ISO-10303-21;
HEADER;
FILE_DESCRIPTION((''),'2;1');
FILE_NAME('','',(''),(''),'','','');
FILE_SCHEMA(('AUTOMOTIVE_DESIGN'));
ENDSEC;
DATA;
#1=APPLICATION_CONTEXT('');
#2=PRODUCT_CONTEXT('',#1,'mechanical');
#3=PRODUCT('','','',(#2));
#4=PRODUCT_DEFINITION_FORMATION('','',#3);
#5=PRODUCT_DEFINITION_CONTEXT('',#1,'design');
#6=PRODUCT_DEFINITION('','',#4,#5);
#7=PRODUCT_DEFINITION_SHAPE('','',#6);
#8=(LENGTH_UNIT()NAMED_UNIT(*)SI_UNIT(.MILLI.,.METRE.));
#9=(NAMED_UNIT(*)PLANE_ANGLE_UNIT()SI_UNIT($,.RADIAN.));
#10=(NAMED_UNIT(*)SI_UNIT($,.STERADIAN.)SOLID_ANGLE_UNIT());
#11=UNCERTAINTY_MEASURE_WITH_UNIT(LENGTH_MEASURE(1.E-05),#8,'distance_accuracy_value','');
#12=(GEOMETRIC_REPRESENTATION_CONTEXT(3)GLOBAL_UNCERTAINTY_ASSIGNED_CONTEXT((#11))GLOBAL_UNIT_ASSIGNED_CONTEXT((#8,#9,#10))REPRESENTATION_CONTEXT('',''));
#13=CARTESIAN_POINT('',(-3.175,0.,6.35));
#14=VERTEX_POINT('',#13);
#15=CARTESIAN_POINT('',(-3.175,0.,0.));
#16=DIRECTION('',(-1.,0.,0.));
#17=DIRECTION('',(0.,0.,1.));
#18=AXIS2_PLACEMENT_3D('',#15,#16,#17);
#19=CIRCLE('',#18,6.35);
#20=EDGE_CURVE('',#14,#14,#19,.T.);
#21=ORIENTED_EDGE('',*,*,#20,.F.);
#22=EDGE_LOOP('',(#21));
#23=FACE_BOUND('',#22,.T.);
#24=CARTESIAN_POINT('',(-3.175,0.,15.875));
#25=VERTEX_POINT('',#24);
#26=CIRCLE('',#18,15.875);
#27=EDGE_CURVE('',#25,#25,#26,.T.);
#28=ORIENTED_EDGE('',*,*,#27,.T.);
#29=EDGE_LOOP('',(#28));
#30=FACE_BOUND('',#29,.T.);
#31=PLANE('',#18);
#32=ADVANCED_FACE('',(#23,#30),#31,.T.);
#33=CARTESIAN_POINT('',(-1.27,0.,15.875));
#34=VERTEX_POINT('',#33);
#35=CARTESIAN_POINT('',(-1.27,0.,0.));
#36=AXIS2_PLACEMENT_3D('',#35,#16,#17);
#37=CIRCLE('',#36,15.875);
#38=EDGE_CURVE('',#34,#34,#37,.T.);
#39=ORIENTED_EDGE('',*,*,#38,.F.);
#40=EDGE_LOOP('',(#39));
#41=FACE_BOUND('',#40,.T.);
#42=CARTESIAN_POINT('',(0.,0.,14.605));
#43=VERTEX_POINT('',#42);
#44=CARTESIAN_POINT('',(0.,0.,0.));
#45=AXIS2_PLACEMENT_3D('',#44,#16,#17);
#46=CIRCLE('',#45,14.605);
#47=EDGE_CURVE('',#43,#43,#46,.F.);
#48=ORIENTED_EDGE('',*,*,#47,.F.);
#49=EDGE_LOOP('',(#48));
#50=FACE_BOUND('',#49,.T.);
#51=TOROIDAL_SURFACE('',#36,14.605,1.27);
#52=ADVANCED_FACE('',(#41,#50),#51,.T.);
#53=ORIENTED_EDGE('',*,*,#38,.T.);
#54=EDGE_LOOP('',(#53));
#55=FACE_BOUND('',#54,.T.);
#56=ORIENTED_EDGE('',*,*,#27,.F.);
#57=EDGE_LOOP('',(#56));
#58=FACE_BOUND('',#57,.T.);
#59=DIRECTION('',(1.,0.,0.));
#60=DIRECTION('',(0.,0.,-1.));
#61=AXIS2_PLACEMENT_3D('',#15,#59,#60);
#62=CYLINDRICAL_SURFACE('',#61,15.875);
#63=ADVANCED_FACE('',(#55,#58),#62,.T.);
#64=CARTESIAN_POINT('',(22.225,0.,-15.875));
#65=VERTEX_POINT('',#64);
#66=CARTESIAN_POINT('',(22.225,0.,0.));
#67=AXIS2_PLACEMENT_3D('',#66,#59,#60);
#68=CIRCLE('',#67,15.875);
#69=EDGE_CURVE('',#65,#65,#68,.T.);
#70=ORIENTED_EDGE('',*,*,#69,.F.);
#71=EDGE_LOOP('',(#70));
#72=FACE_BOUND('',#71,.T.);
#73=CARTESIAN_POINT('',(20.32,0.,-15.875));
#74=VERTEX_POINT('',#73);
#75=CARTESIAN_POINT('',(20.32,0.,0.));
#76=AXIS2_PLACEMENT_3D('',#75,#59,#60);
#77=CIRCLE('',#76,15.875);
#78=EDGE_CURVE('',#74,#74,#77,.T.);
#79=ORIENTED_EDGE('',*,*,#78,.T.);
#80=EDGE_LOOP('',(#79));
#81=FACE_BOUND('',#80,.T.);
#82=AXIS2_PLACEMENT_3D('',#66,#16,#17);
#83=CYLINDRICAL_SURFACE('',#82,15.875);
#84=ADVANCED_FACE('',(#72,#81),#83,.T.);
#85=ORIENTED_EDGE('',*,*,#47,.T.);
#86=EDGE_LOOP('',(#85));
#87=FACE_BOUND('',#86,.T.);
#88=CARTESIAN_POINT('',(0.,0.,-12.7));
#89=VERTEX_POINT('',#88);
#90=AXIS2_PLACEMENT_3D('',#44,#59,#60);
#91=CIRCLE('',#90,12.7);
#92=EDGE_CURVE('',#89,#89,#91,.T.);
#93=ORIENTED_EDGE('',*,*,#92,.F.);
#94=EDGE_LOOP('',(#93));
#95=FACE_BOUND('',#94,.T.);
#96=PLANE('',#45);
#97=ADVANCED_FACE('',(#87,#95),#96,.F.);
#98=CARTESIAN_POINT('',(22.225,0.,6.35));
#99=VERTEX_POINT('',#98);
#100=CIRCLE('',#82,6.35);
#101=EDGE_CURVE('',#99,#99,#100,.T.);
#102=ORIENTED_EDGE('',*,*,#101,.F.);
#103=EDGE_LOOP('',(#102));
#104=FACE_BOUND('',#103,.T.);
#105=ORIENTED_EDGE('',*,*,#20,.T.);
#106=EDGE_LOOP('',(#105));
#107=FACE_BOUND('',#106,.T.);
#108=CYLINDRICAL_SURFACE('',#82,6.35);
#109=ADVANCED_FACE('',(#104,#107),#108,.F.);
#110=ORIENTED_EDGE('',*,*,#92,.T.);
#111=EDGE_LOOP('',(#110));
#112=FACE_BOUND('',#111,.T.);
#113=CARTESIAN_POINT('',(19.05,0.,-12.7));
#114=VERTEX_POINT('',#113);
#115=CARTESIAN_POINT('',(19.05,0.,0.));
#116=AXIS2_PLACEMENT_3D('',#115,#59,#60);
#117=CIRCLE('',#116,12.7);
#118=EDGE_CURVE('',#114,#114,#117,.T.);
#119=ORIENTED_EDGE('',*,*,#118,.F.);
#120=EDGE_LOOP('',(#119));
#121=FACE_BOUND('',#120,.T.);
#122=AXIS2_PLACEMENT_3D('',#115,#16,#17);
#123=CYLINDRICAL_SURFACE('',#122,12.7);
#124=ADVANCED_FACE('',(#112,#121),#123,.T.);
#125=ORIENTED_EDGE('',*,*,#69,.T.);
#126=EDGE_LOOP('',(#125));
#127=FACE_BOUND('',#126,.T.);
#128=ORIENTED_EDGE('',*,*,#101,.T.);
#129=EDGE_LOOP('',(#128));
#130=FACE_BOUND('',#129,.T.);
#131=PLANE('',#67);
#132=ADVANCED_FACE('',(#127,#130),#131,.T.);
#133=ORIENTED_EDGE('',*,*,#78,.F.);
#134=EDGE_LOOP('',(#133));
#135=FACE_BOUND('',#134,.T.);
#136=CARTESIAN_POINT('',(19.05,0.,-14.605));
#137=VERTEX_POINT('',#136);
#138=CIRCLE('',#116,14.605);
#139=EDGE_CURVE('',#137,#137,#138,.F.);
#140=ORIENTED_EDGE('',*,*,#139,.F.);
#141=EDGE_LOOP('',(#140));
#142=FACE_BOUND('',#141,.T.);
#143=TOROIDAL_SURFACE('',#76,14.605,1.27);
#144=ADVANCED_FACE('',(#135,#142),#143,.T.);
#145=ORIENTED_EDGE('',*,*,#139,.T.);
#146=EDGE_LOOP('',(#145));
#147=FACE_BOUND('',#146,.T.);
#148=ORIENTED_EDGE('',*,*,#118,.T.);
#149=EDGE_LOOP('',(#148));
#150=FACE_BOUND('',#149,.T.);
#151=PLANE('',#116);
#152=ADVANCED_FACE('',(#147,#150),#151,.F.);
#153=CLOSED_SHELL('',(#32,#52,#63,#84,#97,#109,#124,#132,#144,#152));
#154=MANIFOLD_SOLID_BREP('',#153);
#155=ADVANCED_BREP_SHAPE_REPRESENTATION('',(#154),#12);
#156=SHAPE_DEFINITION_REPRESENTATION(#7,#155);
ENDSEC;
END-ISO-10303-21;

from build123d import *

# Parameters (mm, degrees)
SKETCH1_R           = 12.7
BOSS_EXTRUDE1_DEPTH = 19.05
SKETCH2_R           = 15.875
BOSS_EXTRUDE2_DEPTH = 3.175
SKETCH3_R           = 15.875
BOSS_EXTRUDE3_DEPTH = 3.175
SKETCH4_R           = 6.35
CUT_EXTRUDE1_DEPTH  = 26.4
FILLET1_R           = 1.27


with BuildPart() as part:
    # Sketch1 → Boss-Extrude1 (new body)
    with BuildSketch(Plane(origin=(0, 0, 0), x_dir=(0, 0, -1), z_dir=(1, 0, 0))):
        Circle(SKETCH1_R)
    extrude(amount=BOSS_EXTRUDE1_DEPTH)

    # Sketch2 → Boss-Extrude2 (add)
    with BuildSketch(Plane.ZY):
        Circle(SKETCH2_R)
    extrude(amount=BOSS_EXTRUDE2_DEPTH)

    # Sketch3 → Boss-Extrude3 (add)
    with BuildSketch(Plane(origin=(19.05, 0, 0), x_dir=(0, 0, -1), z_dir=(1, 0, 0))):
        Circle(SKETCH3_R)
    extrude(amount=BOSS_EXTRUDE3_DEPTH)

    # Sketch4 → Cut-Extrude1 (cut, through all)
    with BuildSketch(Plane.ZY.offset(3.175)):
        Circle(SKETCH4_R)
    extrude(amount=-CUT_EXTRUDE1_DEPTH, mode=Mode.SUBTRACT)

    # Fillet1
    fillet1_edges = [part.edges().sort_by_distance(p)[0] for p in [
        (0, 0, -15.875),
        (19.05, 0, 15.875),
    ]]
    fillet(fillet1_edges, radius=FILLET1_R)


solid = part.part
